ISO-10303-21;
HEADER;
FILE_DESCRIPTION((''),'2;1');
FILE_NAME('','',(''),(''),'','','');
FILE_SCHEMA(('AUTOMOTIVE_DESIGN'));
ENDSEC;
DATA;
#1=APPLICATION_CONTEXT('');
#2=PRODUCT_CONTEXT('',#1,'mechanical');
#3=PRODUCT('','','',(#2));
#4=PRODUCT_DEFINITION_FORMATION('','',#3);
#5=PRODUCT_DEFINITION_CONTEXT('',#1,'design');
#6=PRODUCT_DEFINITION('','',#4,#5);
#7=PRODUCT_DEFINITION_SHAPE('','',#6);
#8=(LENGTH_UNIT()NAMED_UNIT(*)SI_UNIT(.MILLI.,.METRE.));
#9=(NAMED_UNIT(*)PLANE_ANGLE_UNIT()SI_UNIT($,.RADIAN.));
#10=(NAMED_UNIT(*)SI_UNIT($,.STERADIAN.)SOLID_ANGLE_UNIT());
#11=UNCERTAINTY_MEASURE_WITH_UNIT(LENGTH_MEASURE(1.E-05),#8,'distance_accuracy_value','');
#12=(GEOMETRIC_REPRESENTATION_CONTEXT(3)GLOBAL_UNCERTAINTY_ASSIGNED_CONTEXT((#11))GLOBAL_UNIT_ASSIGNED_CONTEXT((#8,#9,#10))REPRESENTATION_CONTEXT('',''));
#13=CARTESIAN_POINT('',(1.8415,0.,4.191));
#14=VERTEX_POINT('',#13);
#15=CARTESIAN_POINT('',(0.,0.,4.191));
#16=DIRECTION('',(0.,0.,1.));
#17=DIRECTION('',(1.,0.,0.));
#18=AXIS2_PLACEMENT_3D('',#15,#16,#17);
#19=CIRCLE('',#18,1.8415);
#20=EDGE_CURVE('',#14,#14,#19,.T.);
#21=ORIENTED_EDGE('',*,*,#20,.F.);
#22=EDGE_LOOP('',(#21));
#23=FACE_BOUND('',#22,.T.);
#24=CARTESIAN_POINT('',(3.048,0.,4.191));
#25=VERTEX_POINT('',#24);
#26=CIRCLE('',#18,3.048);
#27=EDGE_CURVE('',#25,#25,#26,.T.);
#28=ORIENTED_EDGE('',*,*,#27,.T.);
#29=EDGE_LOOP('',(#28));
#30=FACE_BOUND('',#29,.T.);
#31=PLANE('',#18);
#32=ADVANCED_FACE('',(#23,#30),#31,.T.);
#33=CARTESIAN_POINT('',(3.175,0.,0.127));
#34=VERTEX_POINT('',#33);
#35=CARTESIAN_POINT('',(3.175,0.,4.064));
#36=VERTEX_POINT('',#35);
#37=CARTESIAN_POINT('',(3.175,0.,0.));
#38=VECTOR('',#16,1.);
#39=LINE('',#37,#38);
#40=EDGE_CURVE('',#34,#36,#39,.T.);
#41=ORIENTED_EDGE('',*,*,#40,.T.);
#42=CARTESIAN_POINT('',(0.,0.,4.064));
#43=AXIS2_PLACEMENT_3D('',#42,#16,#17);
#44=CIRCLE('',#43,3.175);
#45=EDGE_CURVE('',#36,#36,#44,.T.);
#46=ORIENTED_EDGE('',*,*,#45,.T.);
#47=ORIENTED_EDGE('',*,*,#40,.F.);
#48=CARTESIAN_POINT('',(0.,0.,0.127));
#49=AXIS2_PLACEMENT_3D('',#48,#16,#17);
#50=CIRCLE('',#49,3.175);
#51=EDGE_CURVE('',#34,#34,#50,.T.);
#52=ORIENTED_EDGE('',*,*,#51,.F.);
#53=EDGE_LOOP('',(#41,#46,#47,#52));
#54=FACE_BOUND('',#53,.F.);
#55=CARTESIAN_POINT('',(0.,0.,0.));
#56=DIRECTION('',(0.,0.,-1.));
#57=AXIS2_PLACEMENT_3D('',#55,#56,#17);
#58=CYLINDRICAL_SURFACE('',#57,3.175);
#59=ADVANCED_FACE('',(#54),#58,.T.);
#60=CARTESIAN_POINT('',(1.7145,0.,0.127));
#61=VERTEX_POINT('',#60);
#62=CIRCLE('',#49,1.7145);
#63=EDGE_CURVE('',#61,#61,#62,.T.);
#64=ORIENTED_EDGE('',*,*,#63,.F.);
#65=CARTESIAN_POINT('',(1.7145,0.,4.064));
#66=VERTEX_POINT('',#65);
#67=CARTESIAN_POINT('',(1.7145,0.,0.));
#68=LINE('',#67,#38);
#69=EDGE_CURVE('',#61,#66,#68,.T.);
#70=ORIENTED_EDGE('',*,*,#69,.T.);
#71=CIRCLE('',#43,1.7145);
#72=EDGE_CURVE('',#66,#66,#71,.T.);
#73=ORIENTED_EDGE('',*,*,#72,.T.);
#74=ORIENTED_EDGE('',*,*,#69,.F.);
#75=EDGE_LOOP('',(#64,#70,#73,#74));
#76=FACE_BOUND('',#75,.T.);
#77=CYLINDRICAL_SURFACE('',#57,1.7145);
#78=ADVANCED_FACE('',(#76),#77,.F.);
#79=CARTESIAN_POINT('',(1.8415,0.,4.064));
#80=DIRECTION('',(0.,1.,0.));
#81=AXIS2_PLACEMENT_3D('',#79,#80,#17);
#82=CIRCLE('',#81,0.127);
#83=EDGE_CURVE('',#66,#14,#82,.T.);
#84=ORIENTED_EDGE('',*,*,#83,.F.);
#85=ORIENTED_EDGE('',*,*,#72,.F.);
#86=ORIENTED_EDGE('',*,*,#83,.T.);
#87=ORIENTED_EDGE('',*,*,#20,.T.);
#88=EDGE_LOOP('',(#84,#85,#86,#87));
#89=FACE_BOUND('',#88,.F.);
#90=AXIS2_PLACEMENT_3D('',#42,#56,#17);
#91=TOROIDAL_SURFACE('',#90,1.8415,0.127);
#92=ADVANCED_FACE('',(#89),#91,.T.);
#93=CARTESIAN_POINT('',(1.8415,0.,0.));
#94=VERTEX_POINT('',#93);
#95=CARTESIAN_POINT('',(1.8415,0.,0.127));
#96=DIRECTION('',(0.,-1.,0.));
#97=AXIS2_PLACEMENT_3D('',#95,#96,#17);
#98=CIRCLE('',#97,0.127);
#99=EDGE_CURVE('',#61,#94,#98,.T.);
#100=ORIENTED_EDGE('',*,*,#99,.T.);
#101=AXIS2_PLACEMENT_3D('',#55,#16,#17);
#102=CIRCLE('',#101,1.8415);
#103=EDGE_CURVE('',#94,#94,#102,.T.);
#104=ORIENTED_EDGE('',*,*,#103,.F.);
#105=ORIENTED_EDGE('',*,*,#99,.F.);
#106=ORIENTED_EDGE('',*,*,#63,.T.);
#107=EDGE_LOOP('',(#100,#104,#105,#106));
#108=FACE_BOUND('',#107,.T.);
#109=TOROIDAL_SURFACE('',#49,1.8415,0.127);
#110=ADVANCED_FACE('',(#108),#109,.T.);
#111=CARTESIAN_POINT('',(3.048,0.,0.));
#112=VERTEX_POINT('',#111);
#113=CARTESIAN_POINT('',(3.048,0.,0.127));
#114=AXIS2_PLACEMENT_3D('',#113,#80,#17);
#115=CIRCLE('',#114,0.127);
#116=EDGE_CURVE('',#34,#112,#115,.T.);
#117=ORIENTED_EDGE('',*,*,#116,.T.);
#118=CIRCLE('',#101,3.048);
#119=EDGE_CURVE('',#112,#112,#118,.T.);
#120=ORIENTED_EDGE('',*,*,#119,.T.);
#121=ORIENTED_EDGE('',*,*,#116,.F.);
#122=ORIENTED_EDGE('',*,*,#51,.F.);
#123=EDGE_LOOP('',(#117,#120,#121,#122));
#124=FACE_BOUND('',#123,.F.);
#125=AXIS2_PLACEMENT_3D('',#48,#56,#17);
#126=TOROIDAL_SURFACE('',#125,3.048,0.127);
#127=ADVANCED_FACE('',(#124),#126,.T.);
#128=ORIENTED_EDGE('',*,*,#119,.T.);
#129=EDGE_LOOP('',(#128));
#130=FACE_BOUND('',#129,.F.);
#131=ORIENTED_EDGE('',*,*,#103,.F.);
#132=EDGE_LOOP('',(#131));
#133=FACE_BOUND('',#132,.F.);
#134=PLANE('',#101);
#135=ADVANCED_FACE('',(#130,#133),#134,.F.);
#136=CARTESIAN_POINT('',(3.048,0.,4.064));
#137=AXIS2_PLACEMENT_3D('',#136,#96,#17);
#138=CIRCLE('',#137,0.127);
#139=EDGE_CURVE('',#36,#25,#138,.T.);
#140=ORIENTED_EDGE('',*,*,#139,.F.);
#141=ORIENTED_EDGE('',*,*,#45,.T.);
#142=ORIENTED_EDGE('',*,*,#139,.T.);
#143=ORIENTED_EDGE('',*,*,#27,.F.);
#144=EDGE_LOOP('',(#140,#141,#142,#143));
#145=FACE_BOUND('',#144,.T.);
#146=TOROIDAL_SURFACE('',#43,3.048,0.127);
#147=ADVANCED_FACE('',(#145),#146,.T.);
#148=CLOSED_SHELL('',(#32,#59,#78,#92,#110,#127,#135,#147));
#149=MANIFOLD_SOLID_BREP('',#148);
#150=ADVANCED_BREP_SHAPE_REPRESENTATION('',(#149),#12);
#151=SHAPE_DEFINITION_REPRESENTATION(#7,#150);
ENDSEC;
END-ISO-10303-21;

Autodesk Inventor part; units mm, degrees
ref_plane "YZ Plane" through (0, 0, 0) normal (1, 0, 0) x (0, 1, 0)
ref_plane "XZ Plane" through (0, 0, 0) normal (0, 1, 0) x (-1, 0, 0)
ref_plane "XY Plane" through (0, 0, 0) normal (0, 0, 1) x (1, 0, 0)
sketch "Sketch1" plane through (0, 0, 0) normal (0, 0, 1) x (1, 0, 0)
  circle A0 centre (0, 0) radius 3.175
  circle A1 centre (0, 0) radius 1.7145
  dimension "d0" = 6.35
  dimension "d1" = 3.429
extrude "Extrusion1" add sketch "Sketch1" along normal blind 4.191
fillet "Fillet1" radius 0.127 4 edges at (-1.7145, 0, 4.191) (-3.175, 0, 4.191) (-1.7145, 0, 0) (-3.175, 0, 0)
properties part number "Shock Cartridge Spacer"
